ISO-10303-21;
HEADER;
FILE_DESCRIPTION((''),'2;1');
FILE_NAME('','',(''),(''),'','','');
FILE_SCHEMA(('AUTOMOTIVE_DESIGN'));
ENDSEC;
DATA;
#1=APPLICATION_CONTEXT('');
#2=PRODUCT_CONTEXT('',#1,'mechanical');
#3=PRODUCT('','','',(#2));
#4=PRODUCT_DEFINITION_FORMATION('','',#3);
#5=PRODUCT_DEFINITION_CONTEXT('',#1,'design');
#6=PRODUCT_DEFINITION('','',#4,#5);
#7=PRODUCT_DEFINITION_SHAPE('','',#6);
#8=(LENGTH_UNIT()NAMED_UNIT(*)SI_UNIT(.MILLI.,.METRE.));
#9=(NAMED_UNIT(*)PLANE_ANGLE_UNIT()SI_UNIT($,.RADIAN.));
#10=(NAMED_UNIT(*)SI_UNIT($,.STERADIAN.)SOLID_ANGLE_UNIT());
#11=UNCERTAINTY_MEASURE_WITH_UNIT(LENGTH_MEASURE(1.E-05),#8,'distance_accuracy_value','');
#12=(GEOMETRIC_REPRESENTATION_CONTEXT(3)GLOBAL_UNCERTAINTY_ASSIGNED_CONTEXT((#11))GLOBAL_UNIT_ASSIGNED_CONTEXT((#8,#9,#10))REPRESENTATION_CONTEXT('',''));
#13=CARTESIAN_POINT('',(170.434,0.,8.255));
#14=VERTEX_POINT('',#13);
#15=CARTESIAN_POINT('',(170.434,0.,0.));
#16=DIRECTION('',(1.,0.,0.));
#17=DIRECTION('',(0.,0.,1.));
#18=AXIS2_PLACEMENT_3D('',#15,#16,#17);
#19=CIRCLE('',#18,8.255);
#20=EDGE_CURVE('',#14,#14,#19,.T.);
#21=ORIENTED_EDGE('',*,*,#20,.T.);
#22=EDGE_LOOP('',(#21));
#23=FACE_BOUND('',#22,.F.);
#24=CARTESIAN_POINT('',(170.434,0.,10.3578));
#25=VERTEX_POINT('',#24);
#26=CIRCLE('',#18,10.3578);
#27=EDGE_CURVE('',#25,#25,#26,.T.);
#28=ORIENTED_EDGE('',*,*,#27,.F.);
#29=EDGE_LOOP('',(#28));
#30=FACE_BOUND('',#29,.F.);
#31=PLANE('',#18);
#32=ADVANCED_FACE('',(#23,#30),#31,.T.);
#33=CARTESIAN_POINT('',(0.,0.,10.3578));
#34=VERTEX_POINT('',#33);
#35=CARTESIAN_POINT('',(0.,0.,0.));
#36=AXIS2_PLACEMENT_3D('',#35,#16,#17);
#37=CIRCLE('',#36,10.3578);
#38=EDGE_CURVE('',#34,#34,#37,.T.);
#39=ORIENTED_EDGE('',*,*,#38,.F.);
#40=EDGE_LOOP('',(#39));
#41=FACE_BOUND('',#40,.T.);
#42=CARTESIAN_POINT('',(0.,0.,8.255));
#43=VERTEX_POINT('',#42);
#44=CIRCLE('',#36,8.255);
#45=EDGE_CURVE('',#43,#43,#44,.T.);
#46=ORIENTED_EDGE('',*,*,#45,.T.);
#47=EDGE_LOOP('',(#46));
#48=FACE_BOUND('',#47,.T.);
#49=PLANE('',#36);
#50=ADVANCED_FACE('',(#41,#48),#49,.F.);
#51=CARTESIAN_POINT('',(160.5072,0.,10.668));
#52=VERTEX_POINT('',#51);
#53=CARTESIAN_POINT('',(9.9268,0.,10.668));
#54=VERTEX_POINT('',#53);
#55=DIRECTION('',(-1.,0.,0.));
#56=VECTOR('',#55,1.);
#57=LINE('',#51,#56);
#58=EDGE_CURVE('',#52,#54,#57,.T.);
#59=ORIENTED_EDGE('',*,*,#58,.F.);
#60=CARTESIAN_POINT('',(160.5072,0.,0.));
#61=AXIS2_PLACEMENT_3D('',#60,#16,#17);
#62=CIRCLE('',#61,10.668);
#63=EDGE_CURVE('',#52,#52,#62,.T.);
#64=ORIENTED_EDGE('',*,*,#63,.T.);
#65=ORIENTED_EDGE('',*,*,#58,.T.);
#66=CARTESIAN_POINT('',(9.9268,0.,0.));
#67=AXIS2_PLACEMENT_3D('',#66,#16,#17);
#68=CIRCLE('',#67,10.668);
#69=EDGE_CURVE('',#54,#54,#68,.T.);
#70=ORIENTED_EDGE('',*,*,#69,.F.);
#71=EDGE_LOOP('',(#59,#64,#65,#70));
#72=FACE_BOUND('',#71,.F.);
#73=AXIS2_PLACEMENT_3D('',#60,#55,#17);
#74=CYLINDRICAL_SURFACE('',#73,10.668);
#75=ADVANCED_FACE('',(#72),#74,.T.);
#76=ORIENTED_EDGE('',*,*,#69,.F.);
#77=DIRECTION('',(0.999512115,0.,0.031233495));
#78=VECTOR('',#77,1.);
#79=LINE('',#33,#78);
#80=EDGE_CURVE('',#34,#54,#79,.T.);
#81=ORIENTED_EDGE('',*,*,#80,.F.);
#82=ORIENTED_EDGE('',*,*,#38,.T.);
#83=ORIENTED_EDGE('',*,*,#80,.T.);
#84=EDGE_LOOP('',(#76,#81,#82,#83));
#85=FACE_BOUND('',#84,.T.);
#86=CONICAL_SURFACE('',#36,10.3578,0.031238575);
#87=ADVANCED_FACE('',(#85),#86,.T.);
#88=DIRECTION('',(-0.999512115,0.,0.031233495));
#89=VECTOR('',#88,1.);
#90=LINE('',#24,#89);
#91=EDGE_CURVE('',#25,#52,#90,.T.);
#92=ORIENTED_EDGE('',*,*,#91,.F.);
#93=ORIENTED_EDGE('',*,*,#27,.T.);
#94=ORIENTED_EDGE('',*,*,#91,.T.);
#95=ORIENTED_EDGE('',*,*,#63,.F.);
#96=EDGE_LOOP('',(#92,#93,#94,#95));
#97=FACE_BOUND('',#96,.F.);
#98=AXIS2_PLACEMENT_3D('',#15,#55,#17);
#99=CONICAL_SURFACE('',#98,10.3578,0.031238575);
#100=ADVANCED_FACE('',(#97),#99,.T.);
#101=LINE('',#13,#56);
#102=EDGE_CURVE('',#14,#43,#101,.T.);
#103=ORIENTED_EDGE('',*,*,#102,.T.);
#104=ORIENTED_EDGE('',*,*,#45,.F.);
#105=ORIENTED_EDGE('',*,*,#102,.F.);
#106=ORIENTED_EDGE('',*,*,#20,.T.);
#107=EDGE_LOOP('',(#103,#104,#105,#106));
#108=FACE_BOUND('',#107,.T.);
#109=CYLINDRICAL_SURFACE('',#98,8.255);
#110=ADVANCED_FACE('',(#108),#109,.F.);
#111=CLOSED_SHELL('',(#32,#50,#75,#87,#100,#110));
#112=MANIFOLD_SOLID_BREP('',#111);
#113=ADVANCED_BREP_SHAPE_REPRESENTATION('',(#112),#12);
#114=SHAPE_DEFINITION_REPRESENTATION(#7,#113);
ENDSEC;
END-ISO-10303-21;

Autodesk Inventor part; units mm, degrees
ref_plane "YZ Plane" through (0, 0, 0) normal (1, 0, 0) x (0, 1, 0)
ref_plane "XZ Plane" through (0, 0, 0) normal (0, 1, 0) x (-1, 0, 0)
ref_plane "XY Plane" through (0, 0, 0) normal (0, 0, 1) x (1, 0, 0)
sketch "Sketch1" plane through (0, 0, 0) normal (0, 1, 0) x (-1, 0, 0)
  line L0 (0, 0) -> (-170.434, 0)
  line L1 (-170.434, 0) -> (-170.434, 8.255) construction
  line L2 (-170.434, 8.255) -> (-170.434, 10.3578)
  line L3 (-170.434, 10.3578) -> (-160.5072, 10.668)
  line L4 (-160.5072, 10.668) -> (-9.9268, 10.668)
  line L5 (-85.217, 0) -> (-85.217, 10.668) construction
  line L6 (-170.434, 8.255) -> (0, 8.255)
  line L7 (0, 0) -> (0, 8.255) construction
  line L8 (0, 8.255) -> (0, 10.3578)
  line L9 (0, 10.3578) -> (-9.9268, 10.668)
  line L10 (-156.878, 10.7814) -> (-156.878, 0) construction
  line L11 (-13.556, 10.7814) -> (-13.556, 0) construction
  line L12 (-160.5072, 10.668) -> (-156.878, 10.7814) construction
  line L13 (-160.5072, 10.668) -> (-160.5072, 0) construction
  line L14 (-9.9268, 10.668) -> (-13.556, 10.7814) construction
  line L15 (-9.9268, 10.668) -> (-9.9268, 0) construction
  dimension "d0" = 21.336
  dimension "d1" = 1.79
  dimension "d2" = 16.51
  dimension "d3" = 170.434
  dimension "d4" = 13.556
  dimension "d5" = 21.5628
revolve "Revolution1" add sketch "Sketch1" angle 360 about axis through (0, 0, 0) along (1, 0, 0)
thread "Thread1" size "1/2" designation "1/2 - 14 NPT" standard "NPT" full length
thread "Thread2" size "1/2" designation "1/2 - 14 NPT" standard "NPT" full length
equation "\"d0\" = OD"
equation "\"d2\" = ID"
equation "\"d3\" = L"
equation "\"d4\" = L2"
equation "\"d5\" = D2"
equation "\"OD\" = 21.336"
equation "\"t\" = 2.413"
equation "\"L\" = PL"
equation "\"L4\" = 19.8501"
equation "\"ID\" = 16.51"
equation "\"PL\" = 170.434"
equation "\"D2\" = 21.56282"
equation "\"L2\" = 13.55598"
equation "\"Size_Designation\" = 1.2345"
equation "\"PLmin\" = 2 * L2"
properties material "Steel, Wrought"
